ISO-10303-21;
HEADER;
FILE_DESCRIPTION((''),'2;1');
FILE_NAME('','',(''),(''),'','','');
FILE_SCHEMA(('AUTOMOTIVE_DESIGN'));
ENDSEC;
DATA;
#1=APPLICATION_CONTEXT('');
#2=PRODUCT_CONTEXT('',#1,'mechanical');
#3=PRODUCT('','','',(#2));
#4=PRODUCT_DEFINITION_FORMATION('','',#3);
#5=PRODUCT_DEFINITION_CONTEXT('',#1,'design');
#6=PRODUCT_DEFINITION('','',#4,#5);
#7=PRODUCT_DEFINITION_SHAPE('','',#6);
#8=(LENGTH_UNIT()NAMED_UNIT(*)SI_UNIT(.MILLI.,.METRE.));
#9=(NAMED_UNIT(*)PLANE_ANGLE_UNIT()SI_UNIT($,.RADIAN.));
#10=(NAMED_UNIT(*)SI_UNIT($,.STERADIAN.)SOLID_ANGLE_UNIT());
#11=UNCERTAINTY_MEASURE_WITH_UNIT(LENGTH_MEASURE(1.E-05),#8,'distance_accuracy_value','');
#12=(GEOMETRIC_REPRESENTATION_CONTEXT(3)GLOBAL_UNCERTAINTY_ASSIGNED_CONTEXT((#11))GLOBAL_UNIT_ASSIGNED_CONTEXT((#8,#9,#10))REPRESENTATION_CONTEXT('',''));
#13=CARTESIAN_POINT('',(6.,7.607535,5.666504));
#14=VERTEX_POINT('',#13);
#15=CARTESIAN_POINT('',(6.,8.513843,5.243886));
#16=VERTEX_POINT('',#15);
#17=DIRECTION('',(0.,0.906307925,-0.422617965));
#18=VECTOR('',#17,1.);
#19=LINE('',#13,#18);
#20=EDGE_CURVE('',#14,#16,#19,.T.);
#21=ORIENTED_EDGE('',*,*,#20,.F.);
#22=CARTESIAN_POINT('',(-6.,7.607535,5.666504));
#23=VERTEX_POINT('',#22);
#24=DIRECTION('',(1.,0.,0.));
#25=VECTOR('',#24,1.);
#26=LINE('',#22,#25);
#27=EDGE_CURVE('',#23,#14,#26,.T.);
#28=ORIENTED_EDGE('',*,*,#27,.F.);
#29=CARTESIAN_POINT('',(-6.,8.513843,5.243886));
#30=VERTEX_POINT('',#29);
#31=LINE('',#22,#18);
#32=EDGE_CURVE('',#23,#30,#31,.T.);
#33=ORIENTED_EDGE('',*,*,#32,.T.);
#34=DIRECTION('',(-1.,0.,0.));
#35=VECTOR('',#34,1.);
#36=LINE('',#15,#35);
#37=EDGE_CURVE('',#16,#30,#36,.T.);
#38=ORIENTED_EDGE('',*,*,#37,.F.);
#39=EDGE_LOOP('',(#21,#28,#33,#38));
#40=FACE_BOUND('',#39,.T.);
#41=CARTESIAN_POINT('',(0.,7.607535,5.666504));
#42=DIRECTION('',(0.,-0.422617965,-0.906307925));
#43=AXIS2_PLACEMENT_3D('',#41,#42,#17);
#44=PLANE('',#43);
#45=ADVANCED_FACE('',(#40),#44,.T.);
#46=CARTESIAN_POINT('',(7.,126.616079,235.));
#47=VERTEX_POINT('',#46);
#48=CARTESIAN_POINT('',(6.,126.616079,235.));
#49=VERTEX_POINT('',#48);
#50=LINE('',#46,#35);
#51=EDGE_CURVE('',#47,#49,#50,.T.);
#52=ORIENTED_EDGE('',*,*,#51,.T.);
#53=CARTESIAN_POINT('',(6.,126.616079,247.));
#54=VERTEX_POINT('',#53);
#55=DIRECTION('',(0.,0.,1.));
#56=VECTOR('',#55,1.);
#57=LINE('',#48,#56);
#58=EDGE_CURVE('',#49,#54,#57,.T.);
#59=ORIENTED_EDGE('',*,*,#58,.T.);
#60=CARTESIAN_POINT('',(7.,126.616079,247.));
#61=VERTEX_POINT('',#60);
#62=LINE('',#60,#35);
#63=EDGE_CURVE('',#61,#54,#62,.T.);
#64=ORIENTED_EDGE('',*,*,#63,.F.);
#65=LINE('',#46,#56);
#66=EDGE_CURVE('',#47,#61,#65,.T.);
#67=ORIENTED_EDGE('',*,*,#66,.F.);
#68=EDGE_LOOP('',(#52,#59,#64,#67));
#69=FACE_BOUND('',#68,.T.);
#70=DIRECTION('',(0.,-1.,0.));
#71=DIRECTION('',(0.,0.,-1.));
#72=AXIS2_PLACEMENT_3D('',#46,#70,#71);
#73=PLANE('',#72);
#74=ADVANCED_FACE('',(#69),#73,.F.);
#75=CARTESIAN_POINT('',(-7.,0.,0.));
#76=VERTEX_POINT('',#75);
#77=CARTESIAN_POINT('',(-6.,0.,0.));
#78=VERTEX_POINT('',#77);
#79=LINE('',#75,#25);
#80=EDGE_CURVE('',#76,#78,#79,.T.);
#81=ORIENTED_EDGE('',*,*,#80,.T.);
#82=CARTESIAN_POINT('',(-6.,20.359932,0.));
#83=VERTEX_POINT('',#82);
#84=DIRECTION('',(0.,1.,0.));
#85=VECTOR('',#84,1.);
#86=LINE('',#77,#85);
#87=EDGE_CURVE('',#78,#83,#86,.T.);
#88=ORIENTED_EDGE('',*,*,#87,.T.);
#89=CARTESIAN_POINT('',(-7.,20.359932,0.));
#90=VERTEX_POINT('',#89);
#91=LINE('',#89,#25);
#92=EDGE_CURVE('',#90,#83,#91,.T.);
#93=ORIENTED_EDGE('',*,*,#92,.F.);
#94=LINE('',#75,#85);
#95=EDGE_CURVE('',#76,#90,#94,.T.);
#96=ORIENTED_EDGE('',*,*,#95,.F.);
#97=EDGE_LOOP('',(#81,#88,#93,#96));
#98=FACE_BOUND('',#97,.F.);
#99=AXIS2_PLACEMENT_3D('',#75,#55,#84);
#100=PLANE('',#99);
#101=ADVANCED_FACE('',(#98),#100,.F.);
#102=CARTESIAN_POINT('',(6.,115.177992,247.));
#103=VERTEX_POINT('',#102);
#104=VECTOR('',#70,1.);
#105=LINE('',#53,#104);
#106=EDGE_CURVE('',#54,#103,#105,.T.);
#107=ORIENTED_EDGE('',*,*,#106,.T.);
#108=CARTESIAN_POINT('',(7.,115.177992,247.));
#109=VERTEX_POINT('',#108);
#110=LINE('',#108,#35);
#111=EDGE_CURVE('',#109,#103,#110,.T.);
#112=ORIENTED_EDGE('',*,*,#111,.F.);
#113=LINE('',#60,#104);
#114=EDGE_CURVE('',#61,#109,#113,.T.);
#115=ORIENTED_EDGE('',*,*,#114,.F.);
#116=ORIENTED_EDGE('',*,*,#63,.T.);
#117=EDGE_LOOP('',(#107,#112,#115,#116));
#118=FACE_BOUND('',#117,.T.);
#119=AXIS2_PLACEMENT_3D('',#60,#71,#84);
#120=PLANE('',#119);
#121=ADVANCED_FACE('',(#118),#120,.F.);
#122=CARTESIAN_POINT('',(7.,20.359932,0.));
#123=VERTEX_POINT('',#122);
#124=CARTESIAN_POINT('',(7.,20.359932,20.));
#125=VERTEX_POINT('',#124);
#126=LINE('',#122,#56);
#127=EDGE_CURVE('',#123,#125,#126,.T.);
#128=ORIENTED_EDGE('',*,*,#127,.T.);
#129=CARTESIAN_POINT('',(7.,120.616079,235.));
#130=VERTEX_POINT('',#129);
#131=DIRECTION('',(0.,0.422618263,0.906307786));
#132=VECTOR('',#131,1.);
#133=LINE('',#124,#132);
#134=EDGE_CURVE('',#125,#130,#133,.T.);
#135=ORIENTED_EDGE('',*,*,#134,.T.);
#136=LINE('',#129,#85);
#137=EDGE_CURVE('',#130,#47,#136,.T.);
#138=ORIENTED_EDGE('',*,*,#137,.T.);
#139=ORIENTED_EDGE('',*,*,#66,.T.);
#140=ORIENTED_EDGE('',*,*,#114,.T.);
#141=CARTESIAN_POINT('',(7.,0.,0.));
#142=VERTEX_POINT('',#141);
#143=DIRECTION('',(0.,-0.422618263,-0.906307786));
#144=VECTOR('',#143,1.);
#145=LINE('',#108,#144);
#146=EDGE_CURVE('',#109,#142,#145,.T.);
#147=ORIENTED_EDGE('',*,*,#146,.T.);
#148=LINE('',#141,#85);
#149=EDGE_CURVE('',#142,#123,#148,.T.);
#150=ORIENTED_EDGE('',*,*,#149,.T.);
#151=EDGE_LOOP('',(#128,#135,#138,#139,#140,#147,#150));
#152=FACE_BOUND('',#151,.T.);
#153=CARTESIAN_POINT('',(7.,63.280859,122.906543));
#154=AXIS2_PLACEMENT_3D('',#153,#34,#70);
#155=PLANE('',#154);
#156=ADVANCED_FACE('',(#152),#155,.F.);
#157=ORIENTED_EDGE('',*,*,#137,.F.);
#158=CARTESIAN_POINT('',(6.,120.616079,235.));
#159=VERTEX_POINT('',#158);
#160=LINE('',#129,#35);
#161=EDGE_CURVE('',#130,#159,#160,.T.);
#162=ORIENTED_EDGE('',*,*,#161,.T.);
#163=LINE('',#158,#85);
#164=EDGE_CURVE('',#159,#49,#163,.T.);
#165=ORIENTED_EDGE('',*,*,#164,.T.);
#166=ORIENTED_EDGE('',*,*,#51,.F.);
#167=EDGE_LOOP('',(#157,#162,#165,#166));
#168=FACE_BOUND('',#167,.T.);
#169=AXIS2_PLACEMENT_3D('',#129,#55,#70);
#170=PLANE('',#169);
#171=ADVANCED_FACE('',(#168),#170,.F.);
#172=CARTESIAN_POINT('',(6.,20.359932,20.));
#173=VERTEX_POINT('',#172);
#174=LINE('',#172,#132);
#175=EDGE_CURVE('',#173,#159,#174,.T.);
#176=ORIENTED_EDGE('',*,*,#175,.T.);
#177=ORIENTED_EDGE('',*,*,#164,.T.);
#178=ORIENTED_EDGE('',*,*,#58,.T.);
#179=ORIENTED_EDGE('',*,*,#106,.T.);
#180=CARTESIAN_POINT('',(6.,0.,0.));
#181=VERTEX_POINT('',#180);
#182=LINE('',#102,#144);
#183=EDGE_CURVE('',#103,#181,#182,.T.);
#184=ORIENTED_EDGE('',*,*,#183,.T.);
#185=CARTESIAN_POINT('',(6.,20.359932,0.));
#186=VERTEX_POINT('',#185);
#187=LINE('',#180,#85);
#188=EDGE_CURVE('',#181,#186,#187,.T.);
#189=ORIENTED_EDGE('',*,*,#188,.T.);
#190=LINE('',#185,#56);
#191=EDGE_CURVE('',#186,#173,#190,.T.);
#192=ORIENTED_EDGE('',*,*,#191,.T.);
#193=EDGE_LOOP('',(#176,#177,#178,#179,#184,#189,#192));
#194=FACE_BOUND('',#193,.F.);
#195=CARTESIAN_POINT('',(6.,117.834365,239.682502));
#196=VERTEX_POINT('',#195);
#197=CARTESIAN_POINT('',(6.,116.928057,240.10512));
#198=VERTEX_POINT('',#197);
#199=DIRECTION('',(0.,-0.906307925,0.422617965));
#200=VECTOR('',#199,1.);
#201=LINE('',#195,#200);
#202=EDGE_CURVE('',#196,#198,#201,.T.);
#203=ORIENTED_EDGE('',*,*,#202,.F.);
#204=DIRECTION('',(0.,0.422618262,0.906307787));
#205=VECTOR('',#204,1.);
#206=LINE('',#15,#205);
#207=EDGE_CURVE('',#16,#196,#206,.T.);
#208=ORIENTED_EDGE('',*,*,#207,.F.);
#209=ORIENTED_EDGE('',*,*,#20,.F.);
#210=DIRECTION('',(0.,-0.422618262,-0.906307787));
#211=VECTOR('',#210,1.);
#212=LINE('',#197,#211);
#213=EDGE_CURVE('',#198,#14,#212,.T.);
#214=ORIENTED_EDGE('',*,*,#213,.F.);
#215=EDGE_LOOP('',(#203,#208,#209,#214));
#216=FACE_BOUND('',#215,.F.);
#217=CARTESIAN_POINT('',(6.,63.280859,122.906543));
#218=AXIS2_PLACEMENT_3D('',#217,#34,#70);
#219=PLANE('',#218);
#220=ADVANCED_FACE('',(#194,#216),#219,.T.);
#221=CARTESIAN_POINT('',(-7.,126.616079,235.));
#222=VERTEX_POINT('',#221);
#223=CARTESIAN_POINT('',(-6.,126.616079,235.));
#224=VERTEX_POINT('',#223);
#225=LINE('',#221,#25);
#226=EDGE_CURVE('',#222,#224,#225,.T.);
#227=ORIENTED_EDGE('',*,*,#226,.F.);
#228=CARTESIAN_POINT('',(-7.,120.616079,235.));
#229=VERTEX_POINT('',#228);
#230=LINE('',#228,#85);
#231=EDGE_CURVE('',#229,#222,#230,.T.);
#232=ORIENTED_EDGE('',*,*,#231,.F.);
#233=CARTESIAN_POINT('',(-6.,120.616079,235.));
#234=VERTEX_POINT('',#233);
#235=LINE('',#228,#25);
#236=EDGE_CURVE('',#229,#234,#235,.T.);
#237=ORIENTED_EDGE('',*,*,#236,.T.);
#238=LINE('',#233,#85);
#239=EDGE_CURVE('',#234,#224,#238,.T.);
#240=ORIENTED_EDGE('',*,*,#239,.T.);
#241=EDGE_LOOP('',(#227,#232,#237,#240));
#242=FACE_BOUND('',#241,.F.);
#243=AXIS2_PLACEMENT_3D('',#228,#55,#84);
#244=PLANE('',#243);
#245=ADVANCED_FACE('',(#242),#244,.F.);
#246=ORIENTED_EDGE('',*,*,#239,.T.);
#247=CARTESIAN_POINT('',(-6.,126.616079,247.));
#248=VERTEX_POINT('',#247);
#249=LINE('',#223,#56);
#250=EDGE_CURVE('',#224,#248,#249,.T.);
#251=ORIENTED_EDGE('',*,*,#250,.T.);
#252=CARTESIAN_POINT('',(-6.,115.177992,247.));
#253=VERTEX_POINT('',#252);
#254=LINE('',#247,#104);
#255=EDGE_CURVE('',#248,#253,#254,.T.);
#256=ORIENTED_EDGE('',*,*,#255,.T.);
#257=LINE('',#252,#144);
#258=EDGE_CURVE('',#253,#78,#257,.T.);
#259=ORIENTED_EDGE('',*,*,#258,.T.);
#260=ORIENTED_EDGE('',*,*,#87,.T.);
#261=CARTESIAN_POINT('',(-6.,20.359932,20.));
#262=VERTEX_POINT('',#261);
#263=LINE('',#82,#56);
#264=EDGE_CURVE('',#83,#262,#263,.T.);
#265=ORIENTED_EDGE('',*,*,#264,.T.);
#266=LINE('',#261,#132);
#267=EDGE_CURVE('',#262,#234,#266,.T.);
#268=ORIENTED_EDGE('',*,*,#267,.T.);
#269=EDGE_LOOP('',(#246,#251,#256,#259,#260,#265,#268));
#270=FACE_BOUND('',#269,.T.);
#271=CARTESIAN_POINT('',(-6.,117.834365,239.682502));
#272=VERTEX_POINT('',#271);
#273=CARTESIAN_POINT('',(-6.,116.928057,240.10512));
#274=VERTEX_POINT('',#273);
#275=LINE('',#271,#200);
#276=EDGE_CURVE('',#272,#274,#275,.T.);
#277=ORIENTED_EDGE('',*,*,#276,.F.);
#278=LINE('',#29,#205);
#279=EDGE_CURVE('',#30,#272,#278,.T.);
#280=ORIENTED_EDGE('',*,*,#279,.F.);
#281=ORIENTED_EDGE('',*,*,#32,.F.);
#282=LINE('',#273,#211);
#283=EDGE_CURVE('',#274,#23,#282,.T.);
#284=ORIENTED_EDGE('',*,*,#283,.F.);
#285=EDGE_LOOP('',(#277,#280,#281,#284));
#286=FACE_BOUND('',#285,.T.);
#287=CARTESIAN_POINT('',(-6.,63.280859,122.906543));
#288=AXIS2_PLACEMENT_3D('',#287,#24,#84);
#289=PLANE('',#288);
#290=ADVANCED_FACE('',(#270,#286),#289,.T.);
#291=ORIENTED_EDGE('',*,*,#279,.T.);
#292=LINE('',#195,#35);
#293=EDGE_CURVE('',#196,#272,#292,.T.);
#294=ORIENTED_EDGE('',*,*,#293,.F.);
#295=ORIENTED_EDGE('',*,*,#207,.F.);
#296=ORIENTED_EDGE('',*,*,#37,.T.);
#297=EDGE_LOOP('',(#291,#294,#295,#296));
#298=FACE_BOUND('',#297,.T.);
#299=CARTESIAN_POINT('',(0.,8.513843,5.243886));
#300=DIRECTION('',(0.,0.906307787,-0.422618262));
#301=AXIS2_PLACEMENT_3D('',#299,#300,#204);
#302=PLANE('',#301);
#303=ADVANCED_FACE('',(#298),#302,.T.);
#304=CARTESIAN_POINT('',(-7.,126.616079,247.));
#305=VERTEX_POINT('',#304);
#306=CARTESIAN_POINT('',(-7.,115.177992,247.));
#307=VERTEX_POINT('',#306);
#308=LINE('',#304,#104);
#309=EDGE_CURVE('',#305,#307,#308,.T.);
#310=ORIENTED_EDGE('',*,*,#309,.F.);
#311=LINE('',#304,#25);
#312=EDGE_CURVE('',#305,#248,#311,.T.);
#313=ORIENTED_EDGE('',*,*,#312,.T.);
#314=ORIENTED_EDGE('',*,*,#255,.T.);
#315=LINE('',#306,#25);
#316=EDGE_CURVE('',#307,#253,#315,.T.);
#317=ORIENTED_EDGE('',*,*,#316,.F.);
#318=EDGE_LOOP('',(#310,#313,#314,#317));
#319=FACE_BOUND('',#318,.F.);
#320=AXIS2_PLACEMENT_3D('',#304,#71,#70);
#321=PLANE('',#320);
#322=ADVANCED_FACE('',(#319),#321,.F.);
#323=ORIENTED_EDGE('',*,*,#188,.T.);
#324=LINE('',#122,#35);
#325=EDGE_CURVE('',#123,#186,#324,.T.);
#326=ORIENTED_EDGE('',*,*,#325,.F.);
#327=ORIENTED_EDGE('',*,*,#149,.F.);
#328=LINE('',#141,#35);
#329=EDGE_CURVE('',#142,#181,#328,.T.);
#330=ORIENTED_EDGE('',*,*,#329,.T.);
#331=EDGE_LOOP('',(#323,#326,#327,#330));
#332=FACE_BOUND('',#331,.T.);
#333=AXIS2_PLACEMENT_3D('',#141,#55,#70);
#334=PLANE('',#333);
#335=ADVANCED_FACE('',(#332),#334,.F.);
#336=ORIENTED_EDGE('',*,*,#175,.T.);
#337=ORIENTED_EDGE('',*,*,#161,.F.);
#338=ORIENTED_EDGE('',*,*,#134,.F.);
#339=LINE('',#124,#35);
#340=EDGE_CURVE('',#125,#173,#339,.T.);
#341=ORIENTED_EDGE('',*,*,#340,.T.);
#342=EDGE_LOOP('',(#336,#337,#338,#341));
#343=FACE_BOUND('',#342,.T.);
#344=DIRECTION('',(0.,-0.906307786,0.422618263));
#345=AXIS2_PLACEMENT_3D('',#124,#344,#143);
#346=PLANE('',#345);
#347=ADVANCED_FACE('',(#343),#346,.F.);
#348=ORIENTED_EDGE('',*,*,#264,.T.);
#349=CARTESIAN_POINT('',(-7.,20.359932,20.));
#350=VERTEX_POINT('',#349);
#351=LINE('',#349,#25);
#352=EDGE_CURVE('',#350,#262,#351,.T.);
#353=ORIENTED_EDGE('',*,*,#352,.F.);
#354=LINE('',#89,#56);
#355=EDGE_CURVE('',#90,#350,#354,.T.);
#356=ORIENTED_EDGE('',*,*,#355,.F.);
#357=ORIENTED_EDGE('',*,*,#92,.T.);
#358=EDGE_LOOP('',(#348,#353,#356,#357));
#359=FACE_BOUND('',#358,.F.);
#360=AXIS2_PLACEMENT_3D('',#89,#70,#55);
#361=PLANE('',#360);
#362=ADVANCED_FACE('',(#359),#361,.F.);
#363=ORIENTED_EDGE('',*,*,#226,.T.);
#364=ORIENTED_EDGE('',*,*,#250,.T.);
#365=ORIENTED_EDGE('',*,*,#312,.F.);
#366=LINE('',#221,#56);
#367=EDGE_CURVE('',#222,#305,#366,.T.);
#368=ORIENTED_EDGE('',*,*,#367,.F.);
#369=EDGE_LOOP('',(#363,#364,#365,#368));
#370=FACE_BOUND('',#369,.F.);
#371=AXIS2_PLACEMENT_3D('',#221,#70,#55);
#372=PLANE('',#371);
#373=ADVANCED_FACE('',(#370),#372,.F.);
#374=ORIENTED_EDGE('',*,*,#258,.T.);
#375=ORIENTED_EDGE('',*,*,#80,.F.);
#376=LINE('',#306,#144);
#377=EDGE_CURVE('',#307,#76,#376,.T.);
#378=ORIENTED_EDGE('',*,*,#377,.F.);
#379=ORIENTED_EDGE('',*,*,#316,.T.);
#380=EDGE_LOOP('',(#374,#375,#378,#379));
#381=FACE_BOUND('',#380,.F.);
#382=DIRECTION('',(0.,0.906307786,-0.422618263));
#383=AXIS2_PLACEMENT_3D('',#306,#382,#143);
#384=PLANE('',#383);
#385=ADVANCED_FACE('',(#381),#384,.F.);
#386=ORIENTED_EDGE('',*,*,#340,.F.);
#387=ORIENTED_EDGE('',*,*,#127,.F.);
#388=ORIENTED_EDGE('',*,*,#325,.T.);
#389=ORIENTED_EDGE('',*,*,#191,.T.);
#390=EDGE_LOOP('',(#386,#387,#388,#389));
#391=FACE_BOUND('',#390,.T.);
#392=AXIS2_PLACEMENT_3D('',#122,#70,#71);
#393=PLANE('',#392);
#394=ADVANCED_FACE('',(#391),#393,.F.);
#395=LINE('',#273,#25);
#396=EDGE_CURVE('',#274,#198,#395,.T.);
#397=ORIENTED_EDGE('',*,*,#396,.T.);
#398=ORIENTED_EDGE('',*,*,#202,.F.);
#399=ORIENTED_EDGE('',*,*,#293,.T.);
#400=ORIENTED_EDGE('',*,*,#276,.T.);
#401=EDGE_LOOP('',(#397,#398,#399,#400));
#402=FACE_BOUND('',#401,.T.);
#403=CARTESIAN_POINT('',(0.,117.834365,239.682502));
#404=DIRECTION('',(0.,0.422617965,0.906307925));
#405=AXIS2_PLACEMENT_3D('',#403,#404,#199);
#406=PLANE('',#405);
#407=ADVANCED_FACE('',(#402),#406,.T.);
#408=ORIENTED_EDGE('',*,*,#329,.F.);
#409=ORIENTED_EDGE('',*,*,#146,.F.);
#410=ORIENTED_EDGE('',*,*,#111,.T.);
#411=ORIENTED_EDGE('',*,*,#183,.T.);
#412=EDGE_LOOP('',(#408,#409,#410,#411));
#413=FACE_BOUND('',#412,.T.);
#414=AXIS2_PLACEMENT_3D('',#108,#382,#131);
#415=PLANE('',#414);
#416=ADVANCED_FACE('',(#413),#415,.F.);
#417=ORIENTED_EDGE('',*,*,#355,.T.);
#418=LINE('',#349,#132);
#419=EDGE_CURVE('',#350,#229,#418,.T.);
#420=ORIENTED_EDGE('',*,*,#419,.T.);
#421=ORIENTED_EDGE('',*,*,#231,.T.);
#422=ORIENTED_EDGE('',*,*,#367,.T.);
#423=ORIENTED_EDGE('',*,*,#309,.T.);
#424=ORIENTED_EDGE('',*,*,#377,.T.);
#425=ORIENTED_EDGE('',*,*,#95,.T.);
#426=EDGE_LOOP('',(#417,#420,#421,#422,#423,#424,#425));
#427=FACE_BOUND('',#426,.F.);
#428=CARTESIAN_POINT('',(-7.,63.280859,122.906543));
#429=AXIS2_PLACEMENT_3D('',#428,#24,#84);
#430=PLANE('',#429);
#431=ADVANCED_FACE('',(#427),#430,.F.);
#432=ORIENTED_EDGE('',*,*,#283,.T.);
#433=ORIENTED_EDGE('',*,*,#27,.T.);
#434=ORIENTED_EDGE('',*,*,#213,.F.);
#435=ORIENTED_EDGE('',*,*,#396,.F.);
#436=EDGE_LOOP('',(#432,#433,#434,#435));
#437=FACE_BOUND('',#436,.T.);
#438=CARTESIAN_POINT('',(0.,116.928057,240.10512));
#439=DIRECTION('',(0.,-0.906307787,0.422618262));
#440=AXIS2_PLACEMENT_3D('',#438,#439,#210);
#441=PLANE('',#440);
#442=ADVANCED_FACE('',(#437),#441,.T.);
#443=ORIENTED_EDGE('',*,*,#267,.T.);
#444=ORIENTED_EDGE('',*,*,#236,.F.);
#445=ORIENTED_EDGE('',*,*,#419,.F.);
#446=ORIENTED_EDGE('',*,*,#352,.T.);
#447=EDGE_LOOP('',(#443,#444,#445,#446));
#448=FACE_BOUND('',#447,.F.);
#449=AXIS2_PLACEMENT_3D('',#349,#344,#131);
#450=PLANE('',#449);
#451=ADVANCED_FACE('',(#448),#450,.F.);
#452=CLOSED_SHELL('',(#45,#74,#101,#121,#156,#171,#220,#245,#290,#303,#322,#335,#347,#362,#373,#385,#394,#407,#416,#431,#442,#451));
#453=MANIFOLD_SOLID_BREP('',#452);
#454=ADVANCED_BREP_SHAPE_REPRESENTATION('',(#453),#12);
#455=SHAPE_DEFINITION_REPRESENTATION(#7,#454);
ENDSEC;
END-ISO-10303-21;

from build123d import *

# Parameters (mm, degrees)
F2_DEPTH      = 1
F5_DEPTH      = 6
F5_DEPTH_BACK = 6


with BuildPart() as f2:
    # F1 (on offset) → F2 (new body)
    with BuildSketch(Plane.YZ.offset(-7)):
        Polygon((115.177992, 247), (0, 0), (20.359932, 0), (20.359932, 20), (120.616079, 235), (126.616079, 235), (126.616079, 247), align=None)
    extrude(amount=F2_DEPTH)



with BuildPart() as f3_1:
    # F3: instance of F2
    add(f2.part.mirror(Plane.YZ))


with BuildPart() as f2_1:
    add(f2.part)

    add(f3_1.part)  # F5 merges F3_1
    # F4 (on Right) → F5 (join, two sides)
    with BuildSketch(Plane.YZ) as f5_sk:
        Polygon((117.834365, 239.682502), (116.928057, 240.10512), (7.607535, 5.666504), (8.513843, 5.243886), align=None)
    extrude(amount=F5_DEPTH)
    extrude(f5_sk.sketch, amount=-F5_DEPTH_BACK)


solid = f2_1.part
